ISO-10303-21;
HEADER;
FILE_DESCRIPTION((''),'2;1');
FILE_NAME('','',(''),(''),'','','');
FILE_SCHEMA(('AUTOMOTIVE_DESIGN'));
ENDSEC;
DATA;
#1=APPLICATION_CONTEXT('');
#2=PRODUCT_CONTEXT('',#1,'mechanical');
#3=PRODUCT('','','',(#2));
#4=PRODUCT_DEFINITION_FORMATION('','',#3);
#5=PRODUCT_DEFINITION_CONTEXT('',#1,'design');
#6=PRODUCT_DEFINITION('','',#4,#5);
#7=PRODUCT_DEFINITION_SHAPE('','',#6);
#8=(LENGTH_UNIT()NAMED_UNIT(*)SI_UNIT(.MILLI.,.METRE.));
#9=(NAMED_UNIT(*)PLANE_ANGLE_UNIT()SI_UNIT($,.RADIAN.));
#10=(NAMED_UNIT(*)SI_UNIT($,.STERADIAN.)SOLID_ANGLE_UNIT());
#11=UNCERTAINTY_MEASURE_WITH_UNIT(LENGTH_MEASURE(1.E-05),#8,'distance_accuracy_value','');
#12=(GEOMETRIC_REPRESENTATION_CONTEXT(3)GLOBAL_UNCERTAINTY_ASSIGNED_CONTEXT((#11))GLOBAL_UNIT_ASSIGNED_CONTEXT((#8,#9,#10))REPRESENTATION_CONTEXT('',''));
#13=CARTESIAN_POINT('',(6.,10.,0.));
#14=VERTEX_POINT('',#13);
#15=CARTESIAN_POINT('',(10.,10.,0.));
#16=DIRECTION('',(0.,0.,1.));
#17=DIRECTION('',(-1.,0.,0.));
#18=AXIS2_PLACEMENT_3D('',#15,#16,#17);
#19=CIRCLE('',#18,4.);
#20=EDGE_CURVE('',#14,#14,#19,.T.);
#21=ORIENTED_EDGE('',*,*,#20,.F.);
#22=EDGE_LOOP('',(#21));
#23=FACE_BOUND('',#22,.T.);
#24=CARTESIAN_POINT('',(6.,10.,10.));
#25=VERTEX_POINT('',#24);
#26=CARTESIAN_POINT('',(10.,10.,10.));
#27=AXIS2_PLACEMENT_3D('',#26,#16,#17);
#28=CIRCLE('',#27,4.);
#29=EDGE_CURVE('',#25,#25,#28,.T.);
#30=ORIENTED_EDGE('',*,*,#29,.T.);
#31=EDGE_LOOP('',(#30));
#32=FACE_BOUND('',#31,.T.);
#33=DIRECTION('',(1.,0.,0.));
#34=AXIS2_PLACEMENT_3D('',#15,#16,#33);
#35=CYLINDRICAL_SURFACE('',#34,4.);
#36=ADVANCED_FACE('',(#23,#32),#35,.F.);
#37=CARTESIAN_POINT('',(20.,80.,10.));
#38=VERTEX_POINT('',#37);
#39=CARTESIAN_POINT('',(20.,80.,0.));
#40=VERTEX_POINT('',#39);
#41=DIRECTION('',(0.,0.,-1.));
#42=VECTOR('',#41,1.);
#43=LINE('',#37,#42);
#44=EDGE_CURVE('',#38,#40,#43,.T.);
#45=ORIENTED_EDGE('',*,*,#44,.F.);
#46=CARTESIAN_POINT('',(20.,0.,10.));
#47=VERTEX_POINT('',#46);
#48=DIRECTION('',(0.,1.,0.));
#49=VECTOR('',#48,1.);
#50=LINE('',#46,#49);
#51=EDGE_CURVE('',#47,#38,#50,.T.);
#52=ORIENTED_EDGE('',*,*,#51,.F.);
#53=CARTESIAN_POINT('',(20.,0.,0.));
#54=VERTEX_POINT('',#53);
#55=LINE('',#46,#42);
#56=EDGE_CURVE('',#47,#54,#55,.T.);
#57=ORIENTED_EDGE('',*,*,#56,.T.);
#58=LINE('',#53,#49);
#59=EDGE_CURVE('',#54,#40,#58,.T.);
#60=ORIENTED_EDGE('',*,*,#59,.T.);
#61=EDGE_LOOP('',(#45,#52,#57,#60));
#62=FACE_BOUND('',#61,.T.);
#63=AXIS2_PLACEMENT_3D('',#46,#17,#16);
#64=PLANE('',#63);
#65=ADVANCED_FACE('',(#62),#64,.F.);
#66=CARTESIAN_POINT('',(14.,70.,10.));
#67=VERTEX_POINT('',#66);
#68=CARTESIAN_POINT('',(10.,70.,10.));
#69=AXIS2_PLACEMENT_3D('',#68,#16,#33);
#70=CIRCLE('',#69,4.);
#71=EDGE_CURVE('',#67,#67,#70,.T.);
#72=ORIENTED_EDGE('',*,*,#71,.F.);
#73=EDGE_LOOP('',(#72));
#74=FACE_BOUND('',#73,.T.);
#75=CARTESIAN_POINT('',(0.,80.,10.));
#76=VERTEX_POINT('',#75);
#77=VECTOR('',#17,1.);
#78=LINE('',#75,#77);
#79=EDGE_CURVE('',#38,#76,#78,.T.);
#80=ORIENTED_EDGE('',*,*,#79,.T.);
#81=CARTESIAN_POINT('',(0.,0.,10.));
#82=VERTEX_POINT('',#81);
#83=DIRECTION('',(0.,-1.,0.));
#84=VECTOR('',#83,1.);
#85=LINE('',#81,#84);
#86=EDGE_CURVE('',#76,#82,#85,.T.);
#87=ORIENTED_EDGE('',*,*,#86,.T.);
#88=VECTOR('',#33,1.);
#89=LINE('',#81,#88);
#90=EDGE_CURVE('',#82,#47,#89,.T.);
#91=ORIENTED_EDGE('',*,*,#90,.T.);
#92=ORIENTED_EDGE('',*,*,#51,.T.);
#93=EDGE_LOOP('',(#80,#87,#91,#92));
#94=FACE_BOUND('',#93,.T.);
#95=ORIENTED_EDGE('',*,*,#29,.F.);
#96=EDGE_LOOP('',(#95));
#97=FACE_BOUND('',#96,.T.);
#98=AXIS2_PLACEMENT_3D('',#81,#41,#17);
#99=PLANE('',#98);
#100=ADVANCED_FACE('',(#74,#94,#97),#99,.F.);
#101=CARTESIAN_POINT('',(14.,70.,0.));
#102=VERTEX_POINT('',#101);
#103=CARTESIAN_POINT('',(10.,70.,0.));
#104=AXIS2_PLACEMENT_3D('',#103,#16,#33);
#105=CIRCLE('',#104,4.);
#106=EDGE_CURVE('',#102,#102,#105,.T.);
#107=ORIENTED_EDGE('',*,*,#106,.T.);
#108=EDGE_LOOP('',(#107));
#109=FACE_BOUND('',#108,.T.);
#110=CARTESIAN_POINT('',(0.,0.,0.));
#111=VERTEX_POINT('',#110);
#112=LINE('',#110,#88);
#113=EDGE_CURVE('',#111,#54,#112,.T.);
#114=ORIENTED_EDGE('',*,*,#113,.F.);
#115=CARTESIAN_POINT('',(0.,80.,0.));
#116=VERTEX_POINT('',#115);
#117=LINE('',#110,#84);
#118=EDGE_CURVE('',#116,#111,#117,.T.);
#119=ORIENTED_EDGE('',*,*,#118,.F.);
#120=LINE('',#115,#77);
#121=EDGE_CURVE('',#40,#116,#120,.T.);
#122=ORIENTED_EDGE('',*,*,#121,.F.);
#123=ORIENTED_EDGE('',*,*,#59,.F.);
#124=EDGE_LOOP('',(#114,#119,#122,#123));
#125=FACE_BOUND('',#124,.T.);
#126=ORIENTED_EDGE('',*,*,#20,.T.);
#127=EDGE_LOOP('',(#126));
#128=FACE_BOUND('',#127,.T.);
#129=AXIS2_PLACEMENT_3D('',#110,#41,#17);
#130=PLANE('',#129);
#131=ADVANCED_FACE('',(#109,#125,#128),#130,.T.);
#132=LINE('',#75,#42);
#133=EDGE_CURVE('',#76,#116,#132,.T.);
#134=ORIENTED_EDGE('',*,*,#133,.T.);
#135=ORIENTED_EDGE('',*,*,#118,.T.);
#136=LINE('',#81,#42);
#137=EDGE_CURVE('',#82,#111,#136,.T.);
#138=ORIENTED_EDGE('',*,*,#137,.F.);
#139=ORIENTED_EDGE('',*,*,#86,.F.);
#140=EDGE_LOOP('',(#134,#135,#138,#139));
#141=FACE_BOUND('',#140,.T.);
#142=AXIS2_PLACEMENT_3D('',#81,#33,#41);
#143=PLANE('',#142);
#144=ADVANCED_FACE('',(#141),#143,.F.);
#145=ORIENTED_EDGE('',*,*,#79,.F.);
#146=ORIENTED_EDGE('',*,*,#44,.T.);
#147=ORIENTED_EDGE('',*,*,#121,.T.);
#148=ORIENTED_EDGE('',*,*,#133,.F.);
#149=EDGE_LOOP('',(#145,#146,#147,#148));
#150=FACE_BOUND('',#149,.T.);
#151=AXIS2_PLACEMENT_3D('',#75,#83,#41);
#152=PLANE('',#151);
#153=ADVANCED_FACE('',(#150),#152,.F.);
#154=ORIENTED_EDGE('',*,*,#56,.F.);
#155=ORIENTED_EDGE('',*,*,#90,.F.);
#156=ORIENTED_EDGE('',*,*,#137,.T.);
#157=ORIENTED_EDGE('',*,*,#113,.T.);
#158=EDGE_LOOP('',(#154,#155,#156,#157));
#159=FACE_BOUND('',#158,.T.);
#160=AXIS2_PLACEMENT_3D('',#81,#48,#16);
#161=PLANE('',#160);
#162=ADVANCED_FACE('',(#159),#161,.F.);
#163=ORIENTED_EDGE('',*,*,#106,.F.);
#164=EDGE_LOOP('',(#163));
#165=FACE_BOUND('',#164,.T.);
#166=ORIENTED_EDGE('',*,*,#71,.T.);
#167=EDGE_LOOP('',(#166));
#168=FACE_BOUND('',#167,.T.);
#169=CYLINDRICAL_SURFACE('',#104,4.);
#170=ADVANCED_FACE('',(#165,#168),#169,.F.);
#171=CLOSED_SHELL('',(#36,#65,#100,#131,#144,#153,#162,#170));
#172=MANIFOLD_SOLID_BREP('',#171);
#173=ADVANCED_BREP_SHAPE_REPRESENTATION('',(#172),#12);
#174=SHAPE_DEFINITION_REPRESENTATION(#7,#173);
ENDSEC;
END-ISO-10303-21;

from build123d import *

# Parameters (mm, degrees)
ESQUISSE1_W             = 20
ESQUISSE1_H             = 80
BOSS_EXTRU_1_DEPTH      = 10
ESQUISSE2_R             = 4
ENL_V_MAT_EXTRU_1_DEPTH = 84.066238629


with BuildPart() as part:
    # Esquisse1 → Boss.-Extru.1 (new body)
    with BuildSketch(Plane.XY):
        with Locations((10, 40)):
            Rectangle(ESQUISSE1_W, ESQUISSE1_H)
    extrude(amount=BOSS_EXTRU_1_DEPTH)

    # Esquisse2 → Enlèv. mat.-Extru.1 (cut, through all)
    with BuildSketch(Plane.XY.offset(10)):
        with Locations((10, 70)):
            Circle(ESQUISSE2_R)
        with Locations(Location((10, 10, 0), (0, 0, 180))):
            Circle(ESQUISSE2_R)
    extrude(amount=-ENL_V_MAT_EXTRU_1_DEPTH, mode=Mode.SUBTRACT)


solid = part.part
